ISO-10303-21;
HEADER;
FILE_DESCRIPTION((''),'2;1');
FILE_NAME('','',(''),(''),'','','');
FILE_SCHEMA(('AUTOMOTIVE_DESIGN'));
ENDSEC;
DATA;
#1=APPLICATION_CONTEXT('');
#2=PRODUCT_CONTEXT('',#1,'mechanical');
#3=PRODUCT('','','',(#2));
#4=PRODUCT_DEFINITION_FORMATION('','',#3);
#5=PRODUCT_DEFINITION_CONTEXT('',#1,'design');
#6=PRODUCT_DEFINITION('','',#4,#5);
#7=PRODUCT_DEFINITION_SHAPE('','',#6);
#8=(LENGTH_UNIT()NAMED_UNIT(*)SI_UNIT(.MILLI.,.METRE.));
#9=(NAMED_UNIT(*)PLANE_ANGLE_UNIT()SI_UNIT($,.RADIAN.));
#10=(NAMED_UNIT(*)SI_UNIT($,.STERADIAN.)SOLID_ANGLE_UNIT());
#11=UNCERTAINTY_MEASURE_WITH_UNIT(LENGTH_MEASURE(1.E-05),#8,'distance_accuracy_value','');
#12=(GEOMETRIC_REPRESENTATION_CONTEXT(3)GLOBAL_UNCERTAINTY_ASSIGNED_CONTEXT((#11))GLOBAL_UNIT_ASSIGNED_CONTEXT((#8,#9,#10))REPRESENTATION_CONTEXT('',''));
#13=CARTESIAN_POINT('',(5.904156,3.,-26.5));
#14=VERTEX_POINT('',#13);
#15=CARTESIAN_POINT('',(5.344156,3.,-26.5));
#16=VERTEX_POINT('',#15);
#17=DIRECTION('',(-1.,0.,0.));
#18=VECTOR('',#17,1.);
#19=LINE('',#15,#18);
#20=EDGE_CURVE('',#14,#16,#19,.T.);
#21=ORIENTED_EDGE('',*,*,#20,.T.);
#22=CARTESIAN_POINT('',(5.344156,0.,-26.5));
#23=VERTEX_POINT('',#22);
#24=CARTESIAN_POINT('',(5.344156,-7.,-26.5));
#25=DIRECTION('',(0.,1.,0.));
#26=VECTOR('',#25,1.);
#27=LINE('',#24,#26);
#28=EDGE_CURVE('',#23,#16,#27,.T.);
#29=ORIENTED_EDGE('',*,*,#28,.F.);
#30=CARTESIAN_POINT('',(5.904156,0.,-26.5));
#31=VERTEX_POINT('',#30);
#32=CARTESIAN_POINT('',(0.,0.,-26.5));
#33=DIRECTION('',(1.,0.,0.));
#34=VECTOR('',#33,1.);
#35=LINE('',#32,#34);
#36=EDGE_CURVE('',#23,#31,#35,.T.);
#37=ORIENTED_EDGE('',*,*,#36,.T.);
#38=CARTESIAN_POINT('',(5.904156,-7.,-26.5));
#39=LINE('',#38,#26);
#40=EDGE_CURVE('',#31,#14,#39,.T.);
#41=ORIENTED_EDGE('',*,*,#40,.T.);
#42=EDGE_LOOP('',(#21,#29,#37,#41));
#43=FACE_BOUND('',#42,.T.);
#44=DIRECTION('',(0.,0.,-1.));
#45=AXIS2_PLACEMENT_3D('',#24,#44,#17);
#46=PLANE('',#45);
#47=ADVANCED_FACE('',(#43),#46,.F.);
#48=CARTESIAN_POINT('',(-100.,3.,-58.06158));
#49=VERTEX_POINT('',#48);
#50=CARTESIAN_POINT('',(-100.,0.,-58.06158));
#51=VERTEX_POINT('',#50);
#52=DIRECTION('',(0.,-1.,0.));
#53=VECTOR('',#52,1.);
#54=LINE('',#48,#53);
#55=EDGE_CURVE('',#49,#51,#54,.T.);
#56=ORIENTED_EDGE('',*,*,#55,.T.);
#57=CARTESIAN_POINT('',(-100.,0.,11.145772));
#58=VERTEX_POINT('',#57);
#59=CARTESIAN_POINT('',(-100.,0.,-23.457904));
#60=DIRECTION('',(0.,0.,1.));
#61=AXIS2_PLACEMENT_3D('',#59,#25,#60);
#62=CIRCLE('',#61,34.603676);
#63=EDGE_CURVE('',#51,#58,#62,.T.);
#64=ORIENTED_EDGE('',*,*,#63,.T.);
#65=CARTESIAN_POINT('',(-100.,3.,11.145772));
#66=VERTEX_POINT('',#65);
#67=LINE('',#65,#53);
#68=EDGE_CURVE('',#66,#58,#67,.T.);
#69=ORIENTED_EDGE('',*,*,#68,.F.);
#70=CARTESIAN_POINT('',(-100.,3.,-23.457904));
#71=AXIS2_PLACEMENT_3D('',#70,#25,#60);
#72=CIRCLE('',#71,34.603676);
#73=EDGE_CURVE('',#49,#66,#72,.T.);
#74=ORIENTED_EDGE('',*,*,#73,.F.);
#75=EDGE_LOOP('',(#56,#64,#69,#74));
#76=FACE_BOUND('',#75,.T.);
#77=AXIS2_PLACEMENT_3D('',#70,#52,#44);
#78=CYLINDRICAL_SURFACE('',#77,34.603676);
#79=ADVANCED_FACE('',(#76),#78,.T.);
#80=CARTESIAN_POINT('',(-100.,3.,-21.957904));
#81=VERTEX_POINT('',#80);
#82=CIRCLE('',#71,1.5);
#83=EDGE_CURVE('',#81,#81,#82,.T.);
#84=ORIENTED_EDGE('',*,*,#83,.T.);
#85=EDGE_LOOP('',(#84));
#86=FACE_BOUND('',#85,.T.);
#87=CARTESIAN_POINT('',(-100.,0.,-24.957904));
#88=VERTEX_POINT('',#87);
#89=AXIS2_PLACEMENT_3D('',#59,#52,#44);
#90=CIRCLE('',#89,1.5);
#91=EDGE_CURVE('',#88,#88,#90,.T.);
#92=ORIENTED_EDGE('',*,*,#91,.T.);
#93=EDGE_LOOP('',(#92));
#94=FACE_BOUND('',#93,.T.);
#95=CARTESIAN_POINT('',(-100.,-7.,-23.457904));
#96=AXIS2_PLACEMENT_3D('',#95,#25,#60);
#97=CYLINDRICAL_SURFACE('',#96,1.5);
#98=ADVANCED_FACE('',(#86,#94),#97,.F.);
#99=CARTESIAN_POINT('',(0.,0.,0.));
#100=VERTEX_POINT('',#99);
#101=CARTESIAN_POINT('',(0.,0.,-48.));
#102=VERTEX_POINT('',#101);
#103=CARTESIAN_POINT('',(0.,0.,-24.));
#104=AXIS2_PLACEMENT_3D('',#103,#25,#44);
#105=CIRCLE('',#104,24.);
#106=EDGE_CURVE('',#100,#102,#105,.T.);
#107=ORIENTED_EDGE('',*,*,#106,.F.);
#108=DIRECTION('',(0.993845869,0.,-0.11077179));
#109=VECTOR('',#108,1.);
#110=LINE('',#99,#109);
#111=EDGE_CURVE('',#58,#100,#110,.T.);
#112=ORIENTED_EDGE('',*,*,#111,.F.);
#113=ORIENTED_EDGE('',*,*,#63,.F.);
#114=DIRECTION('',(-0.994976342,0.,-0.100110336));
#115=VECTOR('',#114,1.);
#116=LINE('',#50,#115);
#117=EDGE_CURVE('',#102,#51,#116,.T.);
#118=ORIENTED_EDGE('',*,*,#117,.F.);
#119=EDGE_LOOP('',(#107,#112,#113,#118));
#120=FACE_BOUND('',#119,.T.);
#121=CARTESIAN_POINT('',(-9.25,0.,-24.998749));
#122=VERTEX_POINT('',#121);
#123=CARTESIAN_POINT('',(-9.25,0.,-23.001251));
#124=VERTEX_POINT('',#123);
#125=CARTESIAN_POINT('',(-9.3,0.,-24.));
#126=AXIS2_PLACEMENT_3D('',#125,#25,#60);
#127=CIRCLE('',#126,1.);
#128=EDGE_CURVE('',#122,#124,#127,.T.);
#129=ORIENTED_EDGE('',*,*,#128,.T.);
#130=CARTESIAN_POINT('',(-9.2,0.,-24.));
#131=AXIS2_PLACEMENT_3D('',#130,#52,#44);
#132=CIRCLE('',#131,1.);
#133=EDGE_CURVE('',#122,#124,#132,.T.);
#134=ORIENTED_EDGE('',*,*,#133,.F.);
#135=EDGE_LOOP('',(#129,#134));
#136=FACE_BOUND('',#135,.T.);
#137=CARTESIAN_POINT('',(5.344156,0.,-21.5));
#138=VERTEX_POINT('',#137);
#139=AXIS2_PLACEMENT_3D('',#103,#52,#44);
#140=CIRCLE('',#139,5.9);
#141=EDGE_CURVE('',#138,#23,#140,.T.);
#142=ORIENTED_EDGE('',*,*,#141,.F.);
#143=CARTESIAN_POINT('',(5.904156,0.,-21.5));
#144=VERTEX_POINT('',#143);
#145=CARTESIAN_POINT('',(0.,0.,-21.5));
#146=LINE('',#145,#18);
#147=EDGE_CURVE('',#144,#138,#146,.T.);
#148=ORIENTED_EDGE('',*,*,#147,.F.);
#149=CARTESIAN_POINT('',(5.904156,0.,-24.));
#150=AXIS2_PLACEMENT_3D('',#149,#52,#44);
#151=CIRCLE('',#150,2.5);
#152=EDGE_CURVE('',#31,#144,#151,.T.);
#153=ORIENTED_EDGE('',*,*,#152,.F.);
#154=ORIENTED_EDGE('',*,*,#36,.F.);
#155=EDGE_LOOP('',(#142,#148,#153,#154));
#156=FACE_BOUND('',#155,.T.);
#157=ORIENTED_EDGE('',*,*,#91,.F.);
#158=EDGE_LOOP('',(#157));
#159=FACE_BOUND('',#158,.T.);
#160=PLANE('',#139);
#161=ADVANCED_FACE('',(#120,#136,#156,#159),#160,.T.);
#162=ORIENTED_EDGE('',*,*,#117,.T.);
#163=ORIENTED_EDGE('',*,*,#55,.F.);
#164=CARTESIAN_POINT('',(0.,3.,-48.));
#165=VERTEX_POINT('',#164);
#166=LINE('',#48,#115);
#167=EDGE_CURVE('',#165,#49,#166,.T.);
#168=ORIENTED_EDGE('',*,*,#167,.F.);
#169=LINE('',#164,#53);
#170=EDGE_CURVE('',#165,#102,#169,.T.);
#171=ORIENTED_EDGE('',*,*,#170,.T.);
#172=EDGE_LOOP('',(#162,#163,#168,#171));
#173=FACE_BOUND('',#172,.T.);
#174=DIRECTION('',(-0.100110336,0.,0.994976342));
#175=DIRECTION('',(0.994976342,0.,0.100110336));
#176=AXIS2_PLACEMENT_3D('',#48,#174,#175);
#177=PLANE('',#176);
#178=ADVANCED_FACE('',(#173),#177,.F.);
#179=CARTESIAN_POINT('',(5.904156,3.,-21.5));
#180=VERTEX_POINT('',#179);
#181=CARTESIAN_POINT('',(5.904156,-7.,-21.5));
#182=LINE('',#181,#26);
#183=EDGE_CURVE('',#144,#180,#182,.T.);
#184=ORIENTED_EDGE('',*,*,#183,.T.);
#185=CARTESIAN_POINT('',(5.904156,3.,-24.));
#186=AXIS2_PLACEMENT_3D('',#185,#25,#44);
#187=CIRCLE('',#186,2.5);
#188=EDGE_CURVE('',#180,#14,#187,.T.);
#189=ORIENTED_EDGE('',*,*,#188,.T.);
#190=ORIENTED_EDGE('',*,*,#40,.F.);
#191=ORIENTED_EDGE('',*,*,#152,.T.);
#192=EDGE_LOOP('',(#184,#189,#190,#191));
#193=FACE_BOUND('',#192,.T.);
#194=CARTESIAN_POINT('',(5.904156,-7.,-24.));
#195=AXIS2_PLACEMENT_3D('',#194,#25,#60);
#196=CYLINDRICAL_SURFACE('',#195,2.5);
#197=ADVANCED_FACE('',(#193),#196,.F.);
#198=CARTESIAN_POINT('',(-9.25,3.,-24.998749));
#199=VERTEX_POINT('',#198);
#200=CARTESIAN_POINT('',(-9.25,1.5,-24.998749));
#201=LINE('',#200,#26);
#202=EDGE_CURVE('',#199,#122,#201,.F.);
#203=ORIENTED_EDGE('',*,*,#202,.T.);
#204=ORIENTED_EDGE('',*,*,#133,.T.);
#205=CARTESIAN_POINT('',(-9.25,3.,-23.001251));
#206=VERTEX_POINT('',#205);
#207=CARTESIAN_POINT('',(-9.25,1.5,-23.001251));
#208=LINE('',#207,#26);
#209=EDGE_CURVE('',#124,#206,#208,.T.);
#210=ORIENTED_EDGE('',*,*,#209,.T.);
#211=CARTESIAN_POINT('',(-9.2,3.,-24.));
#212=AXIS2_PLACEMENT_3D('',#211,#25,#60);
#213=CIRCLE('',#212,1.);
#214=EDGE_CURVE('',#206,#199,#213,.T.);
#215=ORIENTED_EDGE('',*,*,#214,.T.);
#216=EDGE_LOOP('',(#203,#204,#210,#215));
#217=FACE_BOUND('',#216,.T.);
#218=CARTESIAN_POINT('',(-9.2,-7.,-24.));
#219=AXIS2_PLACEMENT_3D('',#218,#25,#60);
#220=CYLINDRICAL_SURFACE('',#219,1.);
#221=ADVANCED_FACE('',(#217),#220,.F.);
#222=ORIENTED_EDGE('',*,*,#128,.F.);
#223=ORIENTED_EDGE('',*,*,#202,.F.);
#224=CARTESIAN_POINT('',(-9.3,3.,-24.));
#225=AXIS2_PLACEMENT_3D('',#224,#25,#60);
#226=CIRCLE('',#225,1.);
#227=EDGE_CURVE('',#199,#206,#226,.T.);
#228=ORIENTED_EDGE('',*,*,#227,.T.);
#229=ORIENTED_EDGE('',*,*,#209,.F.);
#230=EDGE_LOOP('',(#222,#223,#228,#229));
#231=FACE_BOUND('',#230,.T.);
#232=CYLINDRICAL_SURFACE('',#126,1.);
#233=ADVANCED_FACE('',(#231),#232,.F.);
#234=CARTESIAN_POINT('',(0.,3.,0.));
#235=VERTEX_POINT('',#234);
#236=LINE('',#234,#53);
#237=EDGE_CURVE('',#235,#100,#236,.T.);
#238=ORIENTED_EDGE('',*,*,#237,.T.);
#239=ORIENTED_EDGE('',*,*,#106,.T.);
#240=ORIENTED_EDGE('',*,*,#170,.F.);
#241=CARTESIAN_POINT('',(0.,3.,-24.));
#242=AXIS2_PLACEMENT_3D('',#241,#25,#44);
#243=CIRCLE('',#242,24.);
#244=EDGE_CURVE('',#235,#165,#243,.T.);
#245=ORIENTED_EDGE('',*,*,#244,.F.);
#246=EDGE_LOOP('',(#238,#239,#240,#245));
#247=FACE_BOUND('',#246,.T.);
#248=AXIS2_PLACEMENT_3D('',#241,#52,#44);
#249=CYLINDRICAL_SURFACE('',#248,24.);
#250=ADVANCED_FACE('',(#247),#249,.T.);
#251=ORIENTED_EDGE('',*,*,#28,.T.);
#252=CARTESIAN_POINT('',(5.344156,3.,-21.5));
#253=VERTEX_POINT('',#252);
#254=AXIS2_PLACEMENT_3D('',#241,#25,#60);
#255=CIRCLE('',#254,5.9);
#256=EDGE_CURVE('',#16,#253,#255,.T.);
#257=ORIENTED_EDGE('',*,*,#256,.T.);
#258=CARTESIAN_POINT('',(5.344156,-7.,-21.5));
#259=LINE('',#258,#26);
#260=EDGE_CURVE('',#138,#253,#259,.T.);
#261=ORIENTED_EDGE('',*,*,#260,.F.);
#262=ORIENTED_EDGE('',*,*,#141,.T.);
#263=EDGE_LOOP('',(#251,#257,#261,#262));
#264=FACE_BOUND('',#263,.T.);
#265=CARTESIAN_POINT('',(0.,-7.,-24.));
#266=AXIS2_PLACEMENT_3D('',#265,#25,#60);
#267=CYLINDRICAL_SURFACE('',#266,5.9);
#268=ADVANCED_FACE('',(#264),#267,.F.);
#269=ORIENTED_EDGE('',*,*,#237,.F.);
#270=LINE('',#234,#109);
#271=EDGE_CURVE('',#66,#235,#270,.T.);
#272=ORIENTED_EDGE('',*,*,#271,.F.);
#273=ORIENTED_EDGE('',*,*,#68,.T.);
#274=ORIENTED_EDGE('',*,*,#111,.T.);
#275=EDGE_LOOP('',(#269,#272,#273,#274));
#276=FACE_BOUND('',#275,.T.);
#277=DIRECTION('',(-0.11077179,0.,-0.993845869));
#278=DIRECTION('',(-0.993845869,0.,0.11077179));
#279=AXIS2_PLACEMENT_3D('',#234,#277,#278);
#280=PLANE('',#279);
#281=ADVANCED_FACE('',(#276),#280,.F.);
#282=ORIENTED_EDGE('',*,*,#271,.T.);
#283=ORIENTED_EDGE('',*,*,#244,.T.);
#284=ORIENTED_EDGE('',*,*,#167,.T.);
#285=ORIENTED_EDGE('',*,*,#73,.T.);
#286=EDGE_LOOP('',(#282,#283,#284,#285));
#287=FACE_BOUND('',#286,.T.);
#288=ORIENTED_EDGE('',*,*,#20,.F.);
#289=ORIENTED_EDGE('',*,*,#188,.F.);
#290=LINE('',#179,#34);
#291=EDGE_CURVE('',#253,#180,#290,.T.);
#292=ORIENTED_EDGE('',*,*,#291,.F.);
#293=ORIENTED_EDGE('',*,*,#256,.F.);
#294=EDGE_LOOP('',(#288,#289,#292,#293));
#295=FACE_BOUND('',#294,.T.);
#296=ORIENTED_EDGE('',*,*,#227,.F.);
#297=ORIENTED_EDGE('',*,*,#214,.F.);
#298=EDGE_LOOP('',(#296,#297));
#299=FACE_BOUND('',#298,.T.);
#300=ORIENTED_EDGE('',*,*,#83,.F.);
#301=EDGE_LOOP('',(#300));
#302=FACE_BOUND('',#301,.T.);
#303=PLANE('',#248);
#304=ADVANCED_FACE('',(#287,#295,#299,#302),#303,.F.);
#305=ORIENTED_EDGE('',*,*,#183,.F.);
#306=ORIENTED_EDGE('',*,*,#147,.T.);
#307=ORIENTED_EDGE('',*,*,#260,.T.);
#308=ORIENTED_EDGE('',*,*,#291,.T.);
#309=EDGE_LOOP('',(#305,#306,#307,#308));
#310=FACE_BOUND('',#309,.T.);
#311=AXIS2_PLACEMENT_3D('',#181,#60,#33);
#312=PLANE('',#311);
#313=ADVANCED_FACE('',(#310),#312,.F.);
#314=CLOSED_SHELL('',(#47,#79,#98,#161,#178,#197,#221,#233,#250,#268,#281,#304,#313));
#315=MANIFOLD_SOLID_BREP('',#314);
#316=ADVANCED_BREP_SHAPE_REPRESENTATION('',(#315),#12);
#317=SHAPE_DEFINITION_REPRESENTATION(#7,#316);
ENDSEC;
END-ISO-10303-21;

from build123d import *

# Parameters (mm, degrees)
BOSS_EXTRUDE2_DEPTH = 3
CUT_EXTRUDE4_DEPTH  = 10
SKETCH8_R           = 1
CUT_EXTRUDE5_DEPTH  = 10
SKETCH6_R           = 1.5
CUT_EXTRUDE6_DEPTH  = 10
CUT_EXTRUDE2_DEPTH  = 3
SKETCH5_R           = 1
CUT_EXTRUDE3_DEPTH  = 3


with BuildPart() as part:
    # Sketch2 → Boss-Extrude2 (new body)
    with BuildSketch(Plane(origin=(0, 0, 0), x_dir=(1, 0, 0), z_dir=(0, 1, 0))):
        with BuildLine():
            Line((-100, 58.061579531), (0, 48))
            ThreePointArc((0, 48), (24, 24), (0, 0))
            Line((0, 0), (-100, -11.145771569))
            ThreePointArc((-100, -11.145771569), (-134.60367555, 23.457903981), (-100, 58.061579531))
        make_face()
    extrude(amount=BOSS_EXTRUDE2_DEPTH)

    # Sketch7 → Cut-Extrude4 (cut)
    with BuildSketch(Plane(origin=(0, 3, 0), x_dir=(1, 0, 0), z_dir=(0, 1, 0))):
        with BuildLine():
            Line((5.344155686, 26.5), (5.904155686, 26.5))
            ThreePointArc((5.904155686, 26.5), (8.404155686, 24), (5.904155686, 21.5))
            Line((5.904155686, 21.5), (5.344155686, 21.5))
            ThreePointArc((5.344155686, 21.5), (-5.9, 24), (5.344155686, 26.5))
        make_face()
    extrude(amount=-CUT_EXTRUDE4_DEPTH, mode=Mode.SUBTRACT)

    # Sketch8 → Cut-Extrude5 (cut)
    with BuildSketch(Plane(origin=(0, 3, 0), x_dir=(1, 0, 0), z_dir=(0, 1, 0))):
        with Locations(Location((-9.2, 24, 0), (0, 0, 270))):
            Circle(SKETCH8_R)
    extrude(amount=-CUT_EXTRUDE5_DEPTH, mode=Mode.SUBTRACT)

    # Sketch6 → Cut-Extrude6 (cut)
    with BuildSketch(Plane(origin=(0, 3, 0), x_dir=(1, 0, 0), z_dir=(0, 1, 0))):
        with Locations(Location((-100, 23.457903981, 0), (0, 0, 270))):
            Circle(SKETCH6_R)
    extrude(amount=-CUT_EXTRUDE6_DEPTH, mode=Mode.SUBTRACT)

    # Sketch3 → Cut-Extrude2 (cut)
    with BuildSketch(Plane(origin=(0, 3, 0), x_dir=(1, 0, 0), z_dir=(0, 1, 0))):
        with BuildLine():
            Line((5.344155686, 26.5), (5.9, 26.5))
            ThreePointArc((5.9, 26.5), (8.4, 24), (5.9, 21.5))
            Line((5.9, 21.5), (5.344155686, 21.5))
            ThreePointArc((5.344155686, 21.5), (-5.9, 24), (5.344155686, 26.5))
        make_face()
    extrude(amount=-CUT_EXTRUDE2_DEPTH, mode=Mode.SUBTRACT)

    # Sketch5 → Cut-Extrude3 (cut)
    with BuildSketch(Plane(origin=(0, 3, 0), x_dir=(1, 0, 0), z_dir=(0, 1, 0))):
        with Locations((-9.3, 24)):
            Circle(SKETCH5_R)
    extrude(amount=-CUT_EXTRUDE3_DEPTH, mode=Mode.SUBTRACT)


solid = part.part
